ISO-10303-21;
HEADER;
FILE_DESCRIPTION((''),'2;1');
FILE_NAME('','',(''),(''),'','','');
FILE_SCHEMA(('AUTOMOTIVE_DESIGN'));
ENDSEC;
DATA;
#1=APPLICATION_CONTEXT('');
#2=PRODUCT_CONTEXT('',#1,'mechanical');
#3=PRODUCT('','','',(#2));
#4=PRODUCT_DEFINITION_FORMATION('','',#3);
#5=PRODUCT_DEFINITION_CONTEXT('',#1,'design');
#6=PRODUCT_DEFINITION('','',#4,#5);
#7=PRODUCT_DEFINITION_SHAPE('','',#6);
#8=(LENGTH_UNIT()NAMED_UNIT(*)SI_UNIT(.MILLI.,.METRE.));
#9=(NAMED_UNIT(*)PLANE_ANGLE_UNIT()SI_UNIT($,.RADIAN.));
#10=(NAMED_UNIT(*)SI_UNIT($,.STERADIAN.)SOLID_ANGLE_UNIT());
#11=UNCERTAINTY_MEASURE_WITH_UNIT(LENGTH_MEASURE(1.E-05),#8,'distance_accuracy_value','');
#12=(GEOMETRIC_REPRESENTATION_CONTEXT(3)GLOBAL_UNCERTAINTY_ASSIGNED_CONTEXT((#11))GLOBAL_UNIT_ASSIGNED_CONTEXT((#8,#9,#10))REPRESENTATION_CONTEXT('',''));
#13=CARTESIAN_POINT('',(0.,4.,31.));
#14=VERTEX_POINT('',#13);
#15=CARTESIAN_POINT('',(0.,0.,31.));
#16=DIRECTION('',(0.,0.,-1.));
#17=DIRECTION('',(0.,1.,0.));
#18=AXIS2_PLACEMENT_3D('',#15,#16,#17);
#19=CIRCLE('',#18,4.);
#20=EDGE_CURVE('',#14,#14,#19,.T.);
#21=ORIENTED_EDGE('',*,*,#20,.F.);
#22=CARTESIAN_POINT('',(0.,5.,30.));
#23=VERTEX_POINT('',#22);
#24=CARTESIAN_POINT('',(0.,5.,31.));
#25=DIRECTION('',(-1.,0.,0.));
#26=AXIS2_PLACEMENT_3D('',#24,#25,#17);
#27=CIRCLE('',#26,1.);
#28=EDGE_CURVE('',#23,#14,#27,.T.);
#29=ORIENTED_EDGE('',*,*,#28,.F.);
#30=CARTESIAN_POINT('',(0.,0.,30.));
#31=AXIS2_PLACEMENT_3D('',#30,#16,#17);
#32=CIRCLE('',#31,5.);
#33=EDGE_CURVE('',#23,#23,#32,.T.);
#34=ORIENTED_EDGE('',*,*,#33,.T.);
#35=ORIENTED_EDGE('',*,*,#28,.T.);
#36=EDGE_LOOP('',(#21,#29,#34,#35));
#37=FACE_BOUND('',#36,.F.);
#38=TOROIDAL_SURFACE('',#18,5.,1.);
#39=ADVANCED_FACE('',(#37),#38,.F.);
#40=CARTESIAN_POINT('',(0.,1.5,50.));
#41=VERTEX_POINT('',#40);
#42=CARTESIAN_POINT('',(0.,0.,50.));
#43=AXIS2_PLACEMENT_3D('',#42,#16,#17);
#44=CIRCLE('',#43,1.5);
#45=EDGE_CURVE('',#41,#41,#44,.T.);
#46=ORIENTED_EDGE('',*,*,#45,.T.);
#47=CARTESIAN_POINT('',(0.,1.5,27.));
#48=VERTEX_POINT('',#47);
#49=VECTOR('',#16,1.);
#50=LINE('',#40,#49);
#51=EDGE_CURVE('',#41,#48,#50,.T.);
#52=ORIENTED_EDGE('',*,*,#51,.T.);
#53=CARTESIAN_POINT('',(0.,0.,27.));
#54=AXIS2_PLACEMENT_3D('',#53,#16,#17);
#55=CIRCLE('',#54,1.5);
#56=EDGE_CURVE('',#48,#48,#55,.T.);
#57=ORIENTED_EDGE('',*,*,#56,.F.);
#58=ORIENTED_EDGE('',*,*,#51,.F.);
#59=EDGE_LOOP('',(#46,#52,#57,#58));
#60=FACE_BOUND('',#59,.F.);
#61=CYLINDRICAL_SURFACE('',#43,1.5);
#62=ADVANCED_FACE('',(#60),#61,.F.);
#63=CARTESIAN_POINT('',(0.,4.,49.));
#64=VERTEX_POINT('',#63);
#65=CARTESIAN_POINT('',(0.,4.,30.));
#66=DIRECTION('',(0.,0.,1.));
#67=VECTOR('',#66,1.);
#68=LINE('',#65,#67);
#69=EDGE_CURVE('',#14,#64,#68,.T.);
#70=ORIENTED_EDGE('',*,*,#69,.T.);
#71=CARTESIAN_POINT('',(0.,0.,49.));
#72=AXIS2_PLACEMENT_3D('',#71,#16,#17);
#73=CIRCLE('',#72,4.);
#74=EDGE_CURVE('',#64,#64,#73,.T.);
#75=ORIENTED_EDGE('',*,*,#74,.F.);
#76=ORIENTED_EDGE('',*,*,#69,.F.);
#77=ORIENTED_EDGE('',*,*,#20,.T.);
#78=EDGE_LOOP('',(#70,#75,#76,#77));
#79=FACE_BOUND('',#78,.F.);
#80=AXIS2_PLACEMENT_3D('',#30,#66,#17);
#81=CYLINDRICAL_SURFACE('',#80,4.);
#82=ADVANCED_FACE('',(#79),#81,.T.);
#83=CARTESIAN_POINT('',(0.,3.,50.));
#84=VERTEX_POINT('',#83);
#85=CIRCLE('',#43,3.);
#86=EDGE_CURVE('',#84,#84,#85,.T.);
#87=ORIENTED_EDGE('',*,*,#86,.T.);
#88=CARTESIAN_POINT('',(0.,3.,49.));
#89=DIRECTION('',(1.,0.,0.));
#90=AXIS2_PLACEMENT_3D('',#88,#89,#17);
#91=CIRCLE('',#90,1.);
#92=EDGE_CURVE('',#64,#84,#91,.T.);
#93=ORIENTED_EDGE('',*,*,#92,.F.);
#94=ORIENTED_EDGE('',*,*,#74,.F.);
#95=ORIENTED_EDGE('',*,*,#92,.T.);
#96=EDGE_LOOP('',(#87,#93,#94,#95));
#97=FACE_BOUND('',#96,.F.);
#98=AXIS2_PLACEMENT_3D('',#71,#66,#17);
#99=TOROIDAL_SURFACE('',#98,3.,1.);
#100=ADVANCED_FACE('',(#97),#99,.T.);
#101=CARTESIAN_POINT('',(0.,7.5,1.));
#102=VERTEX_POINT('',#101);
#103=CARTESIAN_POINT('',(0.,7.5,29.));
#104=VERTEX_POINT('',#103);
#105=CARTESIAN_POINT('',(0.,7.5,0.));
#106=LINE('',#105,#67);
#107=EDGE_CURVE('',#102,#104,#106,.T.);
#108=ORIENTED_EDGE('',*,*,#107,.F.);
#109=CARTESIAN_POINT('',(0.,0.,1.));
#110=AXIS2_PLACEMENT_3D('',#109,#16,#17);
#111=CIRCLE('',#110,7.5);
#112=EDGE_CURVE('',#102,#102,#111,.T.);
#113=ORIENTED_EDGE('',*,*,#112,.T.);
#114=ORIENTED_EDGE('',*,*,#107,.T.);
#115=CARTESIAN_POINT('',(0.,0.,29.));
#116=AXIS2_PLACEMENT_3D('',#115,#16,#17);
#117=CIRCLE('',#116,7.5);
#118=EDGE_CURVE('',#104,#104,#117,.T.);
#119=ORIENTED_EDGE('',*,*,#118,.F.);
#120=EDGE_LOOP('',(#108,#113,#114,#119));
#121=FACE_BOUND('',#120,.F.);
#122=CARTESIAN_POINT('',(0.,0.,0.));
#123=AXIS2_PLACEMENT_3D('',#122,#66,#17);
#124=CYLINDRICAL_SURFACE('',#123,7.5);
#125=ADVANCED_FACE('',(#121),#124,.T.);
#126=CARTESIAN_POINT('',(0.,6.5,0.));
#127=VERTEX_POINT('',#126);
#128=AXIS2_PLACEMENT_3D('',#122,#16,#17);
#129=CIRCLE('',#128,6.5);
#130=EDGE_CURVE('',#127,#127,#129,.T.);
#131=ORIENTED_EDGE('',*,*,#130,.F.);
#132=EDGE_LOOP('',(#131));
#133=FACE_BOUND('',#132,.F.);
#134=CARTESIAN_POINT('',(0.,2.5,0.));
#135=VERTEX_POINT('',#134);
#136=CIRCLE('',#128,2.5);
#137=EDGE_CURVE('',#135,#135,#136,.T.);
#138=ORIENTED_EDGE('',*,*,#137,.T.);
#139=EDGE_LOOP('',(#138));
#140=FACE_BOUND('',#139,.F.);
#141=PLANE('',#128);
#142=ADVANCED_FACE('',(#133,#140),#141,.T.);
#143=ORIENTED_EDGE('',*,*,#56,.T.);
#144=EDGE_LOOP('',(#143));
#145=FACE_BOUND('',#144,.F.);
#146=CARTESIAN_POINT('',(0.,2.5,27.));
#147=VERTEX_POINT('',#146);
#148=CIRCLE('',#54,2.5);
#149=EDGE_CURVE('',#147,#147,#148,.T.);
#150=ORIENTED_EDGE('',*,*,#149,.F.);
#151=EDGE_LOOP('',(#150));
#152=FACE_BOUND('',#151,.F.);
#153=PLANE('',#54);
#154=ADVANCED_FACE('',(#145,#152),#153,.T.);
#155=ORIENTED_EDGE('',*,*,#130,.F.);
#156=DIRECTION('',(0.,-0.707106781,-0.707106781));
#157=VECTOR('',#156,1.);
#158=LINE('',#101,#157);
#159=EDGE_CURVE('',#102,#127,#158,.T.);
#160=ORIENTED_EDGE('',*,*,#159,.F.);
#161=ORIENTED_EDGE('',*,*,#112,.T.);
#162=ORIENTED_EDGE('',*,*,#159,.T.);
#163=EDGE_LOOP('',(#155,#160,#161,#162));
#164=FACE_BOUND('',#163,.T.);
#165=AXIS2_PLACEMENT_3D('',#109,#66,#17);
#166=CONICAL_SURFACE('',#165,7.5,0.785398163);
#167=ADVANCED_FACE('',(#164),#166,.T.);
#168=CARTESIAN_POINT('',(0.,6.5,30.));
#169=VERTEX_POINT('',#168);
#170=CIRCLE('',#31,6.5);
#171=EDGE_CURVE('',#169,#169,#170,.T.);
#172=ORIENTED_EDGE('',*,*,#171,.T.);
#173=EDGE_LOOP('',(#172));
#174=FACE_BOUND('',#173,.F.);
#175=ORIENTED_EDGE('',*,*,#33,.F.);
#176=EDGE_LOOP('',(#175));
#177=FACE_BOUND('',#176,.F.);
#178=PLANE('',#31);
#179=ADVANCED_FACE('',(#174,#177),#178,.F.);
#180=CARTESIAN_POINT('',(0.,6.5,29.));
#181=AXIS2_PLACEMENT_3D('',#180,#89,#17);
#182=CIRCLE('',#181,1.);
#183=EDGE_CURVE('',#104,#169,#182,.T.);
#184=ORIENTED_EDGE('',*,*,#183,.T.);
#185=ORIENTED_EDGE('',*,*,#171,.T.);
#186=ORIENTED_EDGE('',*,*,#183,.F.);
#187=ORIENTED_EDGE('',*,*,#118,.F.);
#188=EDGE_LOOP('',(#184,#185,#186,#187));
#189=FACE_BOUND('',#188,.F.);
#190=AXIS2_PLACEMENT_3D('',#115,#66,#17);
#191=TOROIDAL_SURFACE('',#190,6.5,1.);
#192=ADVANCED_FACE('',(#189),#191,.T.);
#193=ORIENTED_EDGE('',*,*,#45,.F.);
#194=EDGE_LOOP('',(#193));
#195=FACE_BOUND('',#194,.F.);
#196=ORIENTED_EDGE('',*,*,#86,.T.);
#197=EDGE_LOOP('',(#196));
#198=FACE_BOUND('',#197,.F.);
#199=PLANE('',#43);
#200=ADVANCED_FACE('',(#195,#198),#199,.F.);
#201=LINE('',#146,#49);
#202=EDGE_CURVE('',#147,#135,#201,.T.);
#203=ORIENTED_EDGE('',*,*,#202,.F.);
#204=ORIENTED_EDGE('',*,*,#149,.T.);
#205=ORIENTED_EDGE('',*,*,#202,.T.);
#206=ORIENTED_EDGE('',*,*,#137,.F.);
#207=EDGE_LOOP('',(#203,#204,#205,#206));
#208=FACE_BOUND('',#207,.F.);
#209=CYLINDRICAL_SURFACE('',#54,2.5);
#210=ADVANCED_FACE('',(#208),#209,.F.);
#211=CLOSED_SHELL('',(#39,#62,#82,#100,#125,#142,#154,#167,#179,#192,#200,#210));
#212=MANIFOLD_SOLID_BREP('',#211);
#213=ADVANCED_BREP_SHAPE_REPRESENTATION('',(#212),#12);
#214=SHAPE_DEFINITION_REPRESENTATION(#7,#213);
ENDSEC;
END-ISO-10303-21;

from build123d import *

# Parameters (mm, degrees)
F2_R    = 1
F3_SIZE = 1


with BuildPart() as f1:
    # F0 (on Right) → F1 (revolve)
    with BuildSketch(Plane.YZ):
        Polygon((2.5, 27), (2.5, 0), (7.5, 0), (7.5, 30), (4, 30), (4, 50), (1.5, 50), (1.5, 27), align=None)
    revolve(axis=Axis((0, 0, 12.798217), (0, 0, -1)))

    # F2
    f2_edges = [f1.edges().sort_by_distance(p)[0] for p in [
        (0, -4, 50),
        (0, -4, 30),
        (0, -7.5, 30),
    ]]
    fillet(f2_edges, radius=F2_R)

    # F3
    f3_edges = [f1.edges().sort_by_distance(p)[0] for p in [
        (0, -7.5, 0),
    ]]
    chamfer(f3_edges, length=F3_SIZE)


solid = f1.part
